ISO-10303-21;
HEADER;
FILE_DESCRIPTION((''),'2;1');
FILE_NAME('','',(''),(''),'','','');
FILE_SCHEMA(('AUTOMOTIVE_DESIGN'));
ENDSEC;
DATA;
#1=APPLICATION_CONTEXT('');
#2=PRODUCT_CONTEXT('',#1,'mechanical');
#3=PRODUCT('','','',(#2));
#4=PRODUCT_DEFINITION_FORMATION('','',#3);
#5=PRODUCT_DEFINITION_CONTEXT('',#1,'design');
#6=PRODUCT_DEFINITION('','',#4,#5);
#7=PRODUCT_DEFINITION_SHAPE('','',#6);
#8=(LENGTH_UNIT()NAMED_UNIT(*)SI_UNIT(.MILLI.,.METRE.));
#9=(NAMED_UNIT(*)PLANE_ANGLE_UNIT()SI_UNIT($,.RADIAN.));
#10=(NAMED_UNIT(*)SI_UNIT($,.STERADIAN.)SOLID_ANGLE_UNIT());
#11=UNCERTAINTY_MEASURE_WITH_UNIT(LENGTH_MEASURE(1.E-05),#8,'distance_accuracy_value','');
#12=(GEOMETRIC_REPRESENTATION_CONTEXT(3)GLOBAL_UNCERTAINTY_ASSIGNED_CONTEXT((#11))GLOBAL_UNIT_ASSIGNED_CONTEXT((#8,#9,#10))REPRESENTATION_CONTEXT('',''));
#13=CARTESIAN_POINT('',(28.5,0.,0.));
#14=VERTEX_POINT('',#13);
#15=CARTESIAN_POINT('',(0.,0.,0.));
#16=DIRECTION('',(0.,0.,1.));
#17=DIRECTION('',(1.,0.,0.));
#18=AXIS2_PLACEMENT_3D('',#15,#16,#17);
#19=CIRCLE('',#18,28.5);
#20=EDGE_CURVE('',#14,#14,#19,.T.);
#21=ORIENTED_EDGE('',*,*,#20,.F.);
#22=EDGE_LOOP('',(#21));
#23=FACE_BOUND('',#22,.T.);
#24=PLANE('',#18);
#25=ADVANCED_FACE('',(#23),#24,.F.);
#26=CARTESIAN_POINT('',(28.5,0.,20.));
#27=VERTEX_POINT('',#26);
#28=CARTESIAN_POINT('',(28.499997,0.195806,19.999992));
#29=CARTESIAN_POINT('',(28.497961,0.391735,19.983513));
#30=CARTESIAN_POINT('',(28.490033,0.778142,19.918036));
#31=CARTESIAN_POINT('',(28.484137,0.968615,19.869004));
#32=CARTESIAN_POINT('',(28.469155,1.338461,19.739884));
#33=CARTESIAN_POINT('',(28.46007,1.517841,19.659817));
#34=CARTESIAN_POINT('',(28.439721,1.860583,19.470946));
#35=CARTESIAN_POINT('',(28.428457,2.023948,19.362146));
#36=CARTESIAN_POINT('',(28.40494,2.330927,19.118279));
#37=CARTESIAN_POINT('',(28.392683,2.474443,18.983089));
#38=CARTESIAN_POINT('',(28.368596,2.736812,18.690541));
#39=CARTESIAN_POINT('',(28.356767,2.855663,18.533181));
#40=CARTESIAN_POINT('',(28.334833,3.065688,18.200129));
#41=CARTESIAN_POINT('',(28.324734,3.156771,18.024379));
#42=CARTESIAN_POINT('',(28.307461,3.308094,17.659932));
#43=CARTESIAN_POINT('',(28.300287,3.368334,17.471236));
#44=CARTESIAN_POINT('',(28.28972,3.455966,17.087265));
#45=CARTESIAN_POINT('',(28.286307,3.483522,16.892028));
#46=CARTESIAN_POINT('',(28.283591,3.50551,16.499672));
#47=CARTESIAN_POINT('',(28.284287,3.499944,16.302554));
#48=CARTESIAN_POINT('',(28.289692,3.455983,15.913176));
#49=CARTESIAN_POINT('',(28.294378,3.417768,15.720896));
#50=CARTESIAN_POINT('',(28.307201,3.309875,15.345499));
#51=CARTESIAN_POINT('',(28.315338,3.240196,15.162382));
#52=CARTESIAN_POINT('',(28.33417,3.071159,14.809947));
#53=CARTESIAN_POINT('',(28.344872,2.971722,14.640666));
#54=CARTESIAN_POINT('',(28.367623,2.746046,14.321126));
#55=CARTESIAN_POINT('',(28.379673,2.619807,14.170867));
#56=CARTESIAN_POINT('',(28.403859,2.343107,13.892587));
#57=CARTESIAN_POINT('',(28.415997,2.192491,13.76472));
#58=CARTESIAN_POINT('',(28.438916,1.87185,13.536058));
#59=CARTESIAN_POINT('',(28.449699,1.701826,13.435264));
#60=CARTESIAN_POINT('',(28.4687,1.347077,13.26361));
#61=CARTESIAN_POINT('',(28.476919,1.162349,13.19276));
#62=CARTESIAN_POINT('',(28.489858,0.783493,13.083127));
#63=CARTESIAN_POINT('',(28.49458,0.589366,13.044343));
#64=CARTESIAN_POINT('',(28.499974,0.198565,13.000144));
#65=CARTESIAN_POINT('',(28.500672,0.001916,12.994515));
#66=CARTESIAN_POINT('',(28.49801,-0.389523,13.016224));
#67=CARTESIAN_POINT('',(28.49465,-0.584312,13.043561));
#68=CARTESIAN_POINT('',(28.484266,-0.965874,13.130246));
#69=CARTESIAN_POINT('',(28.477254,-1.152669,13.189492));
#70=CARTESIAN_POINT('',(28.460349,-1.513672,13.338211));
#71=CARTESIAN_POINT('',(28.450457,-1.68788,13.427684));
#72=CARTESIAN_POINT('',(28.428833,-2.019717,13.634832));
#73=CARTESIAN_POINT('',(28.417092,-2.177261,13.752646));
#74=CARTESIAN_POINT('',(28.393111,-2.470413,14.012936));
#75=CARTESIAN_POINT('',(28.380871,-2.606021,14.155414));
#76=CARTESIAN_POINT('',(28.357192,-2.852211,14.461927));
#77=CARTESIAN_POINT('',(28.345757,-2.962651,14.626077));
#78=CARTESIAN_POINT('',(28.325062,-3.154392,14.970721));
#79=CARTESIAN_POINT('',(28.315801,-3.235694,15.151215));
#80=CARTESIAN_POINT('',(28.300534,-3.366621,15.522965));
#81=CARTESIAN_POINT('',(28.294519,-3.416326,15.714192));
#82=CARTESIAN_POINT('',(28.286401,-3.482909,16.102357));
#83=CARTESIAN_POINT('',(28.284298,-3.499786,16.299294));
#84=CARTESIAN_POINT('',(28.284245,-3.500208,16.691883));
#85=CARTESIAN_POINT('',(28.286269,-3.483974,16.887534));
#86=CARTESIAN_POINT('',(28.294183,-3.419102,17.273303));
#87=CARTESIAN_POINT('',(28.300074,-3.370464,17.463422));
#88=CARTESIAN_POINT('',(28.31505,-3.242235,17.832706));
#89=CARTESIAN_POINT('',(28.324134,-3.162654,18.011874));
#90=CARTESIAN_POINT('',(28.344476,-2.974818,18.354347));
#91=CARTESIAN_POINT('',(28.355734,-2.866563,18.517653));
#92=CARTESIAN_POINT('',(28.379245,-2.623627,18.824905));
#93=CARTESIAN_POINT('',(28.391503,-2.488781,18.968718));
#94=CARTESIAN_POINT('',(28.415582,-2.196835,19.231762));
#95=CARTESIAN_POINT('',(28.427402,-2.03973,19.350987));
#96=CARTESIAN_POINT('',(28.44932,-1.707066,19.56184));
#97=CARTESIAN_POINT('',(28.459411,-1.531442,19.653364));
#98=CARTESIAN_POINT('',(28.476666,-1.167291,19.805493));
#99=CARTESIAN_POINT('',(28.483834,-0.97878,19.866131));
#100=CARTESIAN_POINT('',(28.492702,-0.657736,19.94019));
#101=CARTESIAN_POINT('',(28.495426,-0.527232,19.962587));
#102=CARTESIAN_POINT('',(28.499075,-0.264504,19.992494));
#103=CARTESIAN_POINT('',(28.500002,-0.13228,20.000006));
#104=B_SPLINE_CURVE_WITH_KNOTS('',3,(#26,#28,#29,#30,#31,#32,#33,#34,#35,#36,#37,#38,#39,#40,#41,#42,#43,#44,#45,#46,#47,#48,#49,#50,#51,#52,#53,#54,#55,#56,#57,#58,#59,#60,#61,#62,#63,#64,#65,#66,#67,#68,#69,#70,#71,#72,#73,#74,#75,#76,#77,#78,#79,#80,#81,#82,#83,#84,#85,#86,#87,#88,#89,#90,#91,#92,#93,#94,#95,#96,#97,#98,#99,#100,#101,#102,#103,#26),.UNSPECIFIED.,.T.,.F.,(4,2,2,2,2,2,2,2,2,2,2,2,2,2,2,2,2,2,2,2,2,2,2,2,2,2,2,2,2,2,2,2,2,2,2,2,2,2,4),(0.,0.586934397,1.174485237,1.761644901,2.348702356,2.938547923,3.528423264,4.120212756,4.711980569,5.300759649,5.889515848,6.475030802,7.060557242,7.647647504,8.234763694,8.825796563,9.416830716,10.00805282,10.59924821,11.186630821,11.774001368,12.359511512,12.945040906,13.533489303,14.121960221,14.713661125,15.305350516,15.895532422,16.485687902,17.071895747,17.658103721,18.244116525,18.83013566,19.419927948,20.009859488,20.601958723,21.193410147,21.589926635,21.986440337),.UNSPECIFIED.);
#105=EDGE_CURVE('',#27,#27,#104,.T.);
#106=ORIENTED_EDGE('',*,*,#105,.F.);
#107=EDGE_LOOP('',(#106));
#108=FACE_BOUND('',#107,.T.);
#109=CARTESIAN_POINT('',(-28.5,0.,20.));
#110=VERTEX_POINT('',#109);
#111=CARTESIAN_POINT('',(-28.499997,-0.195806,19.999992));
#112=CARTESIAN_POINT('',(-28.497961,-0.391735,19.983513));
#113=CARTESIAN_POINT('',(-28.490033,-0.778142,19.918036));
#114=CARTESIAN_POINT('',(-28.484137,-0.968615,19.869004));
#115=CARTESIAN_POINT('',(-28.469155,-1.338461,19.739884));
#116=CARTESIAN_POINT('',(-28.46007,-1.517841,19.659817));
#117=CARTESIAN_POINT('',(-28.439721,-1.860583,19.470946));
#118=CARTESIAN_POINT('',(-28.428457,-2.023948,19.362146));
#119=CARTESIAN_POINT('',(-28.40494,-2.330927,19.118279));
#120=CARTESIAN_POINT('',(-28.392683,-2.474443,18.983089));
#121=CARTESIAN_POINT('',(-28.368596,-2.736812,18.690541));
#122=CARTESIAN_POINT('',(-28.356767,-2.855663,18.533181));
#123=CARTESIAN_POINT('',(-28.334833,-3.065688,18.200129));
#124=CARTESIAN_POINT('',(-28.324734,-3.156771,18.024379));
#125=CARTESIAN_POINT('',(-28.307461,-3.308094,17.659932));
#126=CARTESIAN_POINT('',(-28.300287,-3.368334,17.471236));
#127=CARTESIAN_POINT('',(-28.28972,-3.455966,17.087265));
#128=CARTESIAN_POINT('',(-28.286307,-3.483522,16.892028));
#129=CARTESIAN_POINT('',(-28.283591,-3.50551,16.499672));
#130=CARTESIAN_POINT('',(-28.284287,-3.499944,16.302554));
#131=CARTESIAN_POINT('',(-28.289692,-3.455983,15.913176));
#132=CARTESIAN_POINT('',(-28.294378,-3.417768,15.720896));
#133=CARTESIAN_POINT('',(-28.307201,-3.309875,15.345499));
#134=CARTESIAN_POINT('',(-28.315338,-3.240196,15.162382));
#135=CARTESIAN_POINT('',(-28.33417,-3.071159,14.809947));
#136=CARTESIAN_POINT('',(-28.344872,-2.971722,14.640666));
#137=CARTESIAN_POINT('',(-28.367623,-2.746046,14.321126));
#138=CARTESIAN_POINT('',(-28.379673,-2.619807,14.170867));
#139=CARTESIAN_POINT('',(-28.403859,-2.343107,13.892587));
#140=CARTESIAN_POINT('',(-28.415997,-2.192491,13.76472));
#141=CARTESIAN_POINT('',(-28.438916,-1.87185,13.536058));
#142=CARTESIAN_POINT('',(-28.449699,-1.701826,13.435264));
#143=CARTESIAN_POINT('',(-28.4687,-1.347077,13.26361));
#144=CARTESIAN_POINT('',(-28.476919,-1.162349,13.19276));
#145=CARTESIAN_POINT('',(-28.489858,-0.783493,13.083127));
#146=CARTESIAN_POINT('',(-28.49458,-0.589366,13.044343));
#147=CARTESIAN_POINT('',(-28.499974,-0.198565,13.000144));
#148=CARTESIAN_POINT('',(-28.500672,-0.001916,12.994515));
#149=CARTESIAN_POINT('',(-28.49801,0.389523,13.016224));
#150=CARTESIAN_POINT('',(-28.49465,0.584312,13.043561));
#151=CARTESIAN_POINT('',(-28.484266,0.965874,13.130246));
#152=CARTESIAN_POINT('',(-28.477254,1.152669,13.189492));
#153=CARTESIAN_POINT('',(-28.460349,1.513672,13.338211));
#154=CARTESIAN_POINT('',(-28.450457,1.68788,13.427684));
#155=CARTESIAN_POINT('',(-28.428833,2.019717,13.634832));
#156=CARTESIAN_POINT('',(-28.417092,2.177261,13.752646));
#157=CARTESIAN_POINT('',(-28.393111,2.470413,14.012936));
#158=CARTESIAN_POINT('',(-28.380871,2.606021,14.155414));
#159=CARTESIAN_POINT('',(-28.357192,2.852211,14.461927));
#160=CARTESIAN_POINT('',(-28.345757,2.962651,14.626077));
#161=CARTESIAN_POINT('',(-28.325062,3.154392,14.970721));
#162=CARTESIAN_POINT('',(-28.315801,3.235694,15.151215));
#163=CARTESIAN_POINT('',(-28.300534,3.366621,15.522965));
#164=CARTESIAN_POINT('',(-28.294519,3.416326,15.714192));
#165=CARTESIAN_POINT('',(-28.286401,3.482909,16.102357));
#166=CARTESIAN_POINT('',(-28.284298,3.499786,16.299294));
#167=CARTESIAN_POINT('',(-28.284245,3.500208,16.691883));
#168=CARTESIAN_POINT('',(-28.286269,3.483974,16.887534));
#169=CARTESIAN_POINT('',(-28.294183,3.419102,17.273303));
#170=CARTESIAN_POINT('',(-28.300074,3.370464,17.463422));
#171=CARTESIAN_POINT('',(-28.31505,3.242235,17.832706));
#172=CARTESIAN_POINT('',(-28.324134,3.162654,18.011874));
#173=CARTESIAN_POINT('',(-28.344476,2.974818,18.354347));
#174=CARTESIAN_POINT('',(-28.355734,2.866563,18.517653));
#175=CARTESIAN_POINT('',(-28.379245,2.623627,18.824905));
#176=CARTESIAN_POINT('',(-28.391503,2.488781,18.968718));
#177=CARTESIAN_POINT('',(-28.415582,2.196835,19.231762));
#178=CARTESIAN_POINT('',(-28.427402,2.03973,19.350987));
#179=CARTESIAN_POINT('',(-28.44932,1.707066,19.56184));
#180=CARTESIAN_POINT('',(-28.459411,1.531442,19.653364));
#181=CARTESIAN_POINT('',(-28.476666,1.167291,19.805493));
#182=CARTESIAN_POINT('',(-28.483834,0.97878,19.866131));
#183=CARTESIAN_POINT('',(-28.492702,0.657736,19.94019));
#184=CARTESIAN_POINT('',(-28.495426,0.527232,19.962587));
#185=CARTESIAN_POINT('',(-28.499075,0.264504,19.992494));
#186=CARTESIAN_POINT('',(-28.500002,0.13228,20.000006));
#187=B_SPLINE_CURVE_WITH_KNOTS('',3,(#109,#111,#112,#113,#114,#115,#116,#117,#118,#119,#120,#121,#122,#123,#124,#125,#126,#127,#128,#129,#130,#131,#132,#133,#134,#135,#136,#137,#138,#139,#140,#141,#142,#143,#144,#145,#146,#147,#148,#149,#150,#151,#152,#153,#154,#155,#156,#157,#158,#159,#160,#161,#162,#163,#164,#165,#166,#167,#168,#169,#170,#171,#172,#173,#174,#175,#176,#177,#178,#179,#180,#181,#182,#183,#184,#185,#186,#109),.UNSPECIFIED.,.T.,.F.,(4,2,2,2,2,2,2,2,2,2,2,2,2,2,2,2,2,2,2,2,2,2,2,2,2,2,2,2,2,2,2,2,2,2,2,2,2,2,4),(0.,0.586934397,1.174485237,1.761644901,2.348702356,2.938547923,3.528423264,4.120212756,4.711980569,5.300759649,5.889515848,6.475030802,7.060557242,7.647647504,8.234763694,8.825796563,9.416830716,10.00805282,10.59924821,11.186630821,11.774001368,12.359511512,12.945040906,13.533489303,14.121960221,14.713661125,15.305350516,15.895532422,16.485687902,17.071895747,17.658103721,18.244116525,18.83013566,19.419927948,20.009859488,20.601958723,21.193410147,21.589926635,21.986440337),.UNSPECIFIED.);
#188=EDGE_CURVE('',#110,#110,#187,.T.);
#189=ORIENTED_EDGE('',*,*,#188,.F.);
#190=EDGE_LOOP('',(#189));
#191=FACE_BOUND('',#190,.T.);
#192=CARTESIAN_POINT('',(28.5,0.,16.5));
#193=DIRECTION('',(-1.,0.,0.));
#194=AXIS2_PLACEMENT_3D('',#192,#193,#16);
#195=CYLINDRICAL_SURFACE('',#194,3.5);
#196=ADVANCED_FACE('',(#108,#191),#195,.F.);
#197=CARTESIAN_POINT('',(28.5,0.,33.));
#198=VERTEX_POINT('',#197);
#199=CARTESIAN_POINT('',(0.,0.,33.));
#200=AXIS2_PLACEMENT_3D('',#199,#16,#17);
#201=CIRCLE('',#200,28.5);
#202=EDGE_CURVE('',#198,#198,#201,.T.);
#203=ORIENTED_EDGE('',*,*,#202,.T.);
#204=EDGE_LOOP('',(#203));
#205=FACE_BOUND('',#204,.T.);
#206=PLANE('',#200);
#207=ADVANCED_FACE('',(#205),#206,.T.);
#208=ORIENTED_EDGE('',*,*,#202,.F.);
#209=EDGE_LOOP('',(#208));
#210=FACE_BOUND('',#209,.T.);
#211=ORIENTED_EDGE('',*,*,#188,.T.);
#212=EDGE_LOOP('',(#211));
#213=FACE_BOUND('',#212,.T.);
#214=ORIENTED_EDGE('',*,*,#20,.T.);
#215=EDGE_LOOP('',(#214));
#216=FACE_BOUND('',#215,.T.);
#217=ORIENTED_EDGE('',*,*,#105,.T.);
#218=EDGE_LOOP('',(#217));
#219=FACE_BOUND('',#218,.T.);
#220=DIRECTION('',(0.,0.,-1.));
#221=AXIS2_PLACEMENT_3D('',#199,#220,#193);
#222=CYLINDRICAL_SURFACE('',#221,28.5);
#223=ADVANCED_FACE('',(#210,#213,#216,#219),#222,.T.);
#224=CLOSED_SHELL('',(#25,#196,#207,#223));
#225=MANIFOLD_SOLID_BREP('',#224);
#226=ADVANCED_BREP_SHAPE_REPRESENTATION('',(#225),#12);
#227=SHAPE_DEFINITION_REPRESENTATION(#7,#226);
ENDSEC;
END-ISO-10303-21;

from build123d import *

# Parameters (mm, degrees)
ESQUISSE1_R                  = 28.5
BOSS_EXTRU_1_DEPTH           = 33
ESQUISSE6_R                  = 3.5
ENL_V_MAT_EXTRU_2_DEPTH      = 29.5
ENL_V_MAT_EXTRU_2_DEPTH_BACK = 29.5


with BuildPart() as part:
    # Esquisse1 → Boss.-Extru.1 (new body)
    with BuildSketch(Plane.XY):
        Circle(ESQUISSE1_R)
    extrude(amount=BOSS_EXTRU_1_DEPTH)

    # Esquisse6 → Enlèv. mat.-Extru.2 (cut, two sides)
    with BuildSketch(Plane.ZY) as enl_v_mat_extru_2_sk:
        with Locations((16.5, 0)):
            Circle(ESQUISSE6_R)
    extrude(amount=ENL_V_MAT_EXTRU_2_DEPTH, mode=Mode.SUBTRACT)
    extrude(enl_v_mat_extru_2_sk.sketch, amount=-ENL_V_MAT_EXTRU_2_DEPTH_BACK, mode=Mode.SUBTRACT)


solid = part.part
